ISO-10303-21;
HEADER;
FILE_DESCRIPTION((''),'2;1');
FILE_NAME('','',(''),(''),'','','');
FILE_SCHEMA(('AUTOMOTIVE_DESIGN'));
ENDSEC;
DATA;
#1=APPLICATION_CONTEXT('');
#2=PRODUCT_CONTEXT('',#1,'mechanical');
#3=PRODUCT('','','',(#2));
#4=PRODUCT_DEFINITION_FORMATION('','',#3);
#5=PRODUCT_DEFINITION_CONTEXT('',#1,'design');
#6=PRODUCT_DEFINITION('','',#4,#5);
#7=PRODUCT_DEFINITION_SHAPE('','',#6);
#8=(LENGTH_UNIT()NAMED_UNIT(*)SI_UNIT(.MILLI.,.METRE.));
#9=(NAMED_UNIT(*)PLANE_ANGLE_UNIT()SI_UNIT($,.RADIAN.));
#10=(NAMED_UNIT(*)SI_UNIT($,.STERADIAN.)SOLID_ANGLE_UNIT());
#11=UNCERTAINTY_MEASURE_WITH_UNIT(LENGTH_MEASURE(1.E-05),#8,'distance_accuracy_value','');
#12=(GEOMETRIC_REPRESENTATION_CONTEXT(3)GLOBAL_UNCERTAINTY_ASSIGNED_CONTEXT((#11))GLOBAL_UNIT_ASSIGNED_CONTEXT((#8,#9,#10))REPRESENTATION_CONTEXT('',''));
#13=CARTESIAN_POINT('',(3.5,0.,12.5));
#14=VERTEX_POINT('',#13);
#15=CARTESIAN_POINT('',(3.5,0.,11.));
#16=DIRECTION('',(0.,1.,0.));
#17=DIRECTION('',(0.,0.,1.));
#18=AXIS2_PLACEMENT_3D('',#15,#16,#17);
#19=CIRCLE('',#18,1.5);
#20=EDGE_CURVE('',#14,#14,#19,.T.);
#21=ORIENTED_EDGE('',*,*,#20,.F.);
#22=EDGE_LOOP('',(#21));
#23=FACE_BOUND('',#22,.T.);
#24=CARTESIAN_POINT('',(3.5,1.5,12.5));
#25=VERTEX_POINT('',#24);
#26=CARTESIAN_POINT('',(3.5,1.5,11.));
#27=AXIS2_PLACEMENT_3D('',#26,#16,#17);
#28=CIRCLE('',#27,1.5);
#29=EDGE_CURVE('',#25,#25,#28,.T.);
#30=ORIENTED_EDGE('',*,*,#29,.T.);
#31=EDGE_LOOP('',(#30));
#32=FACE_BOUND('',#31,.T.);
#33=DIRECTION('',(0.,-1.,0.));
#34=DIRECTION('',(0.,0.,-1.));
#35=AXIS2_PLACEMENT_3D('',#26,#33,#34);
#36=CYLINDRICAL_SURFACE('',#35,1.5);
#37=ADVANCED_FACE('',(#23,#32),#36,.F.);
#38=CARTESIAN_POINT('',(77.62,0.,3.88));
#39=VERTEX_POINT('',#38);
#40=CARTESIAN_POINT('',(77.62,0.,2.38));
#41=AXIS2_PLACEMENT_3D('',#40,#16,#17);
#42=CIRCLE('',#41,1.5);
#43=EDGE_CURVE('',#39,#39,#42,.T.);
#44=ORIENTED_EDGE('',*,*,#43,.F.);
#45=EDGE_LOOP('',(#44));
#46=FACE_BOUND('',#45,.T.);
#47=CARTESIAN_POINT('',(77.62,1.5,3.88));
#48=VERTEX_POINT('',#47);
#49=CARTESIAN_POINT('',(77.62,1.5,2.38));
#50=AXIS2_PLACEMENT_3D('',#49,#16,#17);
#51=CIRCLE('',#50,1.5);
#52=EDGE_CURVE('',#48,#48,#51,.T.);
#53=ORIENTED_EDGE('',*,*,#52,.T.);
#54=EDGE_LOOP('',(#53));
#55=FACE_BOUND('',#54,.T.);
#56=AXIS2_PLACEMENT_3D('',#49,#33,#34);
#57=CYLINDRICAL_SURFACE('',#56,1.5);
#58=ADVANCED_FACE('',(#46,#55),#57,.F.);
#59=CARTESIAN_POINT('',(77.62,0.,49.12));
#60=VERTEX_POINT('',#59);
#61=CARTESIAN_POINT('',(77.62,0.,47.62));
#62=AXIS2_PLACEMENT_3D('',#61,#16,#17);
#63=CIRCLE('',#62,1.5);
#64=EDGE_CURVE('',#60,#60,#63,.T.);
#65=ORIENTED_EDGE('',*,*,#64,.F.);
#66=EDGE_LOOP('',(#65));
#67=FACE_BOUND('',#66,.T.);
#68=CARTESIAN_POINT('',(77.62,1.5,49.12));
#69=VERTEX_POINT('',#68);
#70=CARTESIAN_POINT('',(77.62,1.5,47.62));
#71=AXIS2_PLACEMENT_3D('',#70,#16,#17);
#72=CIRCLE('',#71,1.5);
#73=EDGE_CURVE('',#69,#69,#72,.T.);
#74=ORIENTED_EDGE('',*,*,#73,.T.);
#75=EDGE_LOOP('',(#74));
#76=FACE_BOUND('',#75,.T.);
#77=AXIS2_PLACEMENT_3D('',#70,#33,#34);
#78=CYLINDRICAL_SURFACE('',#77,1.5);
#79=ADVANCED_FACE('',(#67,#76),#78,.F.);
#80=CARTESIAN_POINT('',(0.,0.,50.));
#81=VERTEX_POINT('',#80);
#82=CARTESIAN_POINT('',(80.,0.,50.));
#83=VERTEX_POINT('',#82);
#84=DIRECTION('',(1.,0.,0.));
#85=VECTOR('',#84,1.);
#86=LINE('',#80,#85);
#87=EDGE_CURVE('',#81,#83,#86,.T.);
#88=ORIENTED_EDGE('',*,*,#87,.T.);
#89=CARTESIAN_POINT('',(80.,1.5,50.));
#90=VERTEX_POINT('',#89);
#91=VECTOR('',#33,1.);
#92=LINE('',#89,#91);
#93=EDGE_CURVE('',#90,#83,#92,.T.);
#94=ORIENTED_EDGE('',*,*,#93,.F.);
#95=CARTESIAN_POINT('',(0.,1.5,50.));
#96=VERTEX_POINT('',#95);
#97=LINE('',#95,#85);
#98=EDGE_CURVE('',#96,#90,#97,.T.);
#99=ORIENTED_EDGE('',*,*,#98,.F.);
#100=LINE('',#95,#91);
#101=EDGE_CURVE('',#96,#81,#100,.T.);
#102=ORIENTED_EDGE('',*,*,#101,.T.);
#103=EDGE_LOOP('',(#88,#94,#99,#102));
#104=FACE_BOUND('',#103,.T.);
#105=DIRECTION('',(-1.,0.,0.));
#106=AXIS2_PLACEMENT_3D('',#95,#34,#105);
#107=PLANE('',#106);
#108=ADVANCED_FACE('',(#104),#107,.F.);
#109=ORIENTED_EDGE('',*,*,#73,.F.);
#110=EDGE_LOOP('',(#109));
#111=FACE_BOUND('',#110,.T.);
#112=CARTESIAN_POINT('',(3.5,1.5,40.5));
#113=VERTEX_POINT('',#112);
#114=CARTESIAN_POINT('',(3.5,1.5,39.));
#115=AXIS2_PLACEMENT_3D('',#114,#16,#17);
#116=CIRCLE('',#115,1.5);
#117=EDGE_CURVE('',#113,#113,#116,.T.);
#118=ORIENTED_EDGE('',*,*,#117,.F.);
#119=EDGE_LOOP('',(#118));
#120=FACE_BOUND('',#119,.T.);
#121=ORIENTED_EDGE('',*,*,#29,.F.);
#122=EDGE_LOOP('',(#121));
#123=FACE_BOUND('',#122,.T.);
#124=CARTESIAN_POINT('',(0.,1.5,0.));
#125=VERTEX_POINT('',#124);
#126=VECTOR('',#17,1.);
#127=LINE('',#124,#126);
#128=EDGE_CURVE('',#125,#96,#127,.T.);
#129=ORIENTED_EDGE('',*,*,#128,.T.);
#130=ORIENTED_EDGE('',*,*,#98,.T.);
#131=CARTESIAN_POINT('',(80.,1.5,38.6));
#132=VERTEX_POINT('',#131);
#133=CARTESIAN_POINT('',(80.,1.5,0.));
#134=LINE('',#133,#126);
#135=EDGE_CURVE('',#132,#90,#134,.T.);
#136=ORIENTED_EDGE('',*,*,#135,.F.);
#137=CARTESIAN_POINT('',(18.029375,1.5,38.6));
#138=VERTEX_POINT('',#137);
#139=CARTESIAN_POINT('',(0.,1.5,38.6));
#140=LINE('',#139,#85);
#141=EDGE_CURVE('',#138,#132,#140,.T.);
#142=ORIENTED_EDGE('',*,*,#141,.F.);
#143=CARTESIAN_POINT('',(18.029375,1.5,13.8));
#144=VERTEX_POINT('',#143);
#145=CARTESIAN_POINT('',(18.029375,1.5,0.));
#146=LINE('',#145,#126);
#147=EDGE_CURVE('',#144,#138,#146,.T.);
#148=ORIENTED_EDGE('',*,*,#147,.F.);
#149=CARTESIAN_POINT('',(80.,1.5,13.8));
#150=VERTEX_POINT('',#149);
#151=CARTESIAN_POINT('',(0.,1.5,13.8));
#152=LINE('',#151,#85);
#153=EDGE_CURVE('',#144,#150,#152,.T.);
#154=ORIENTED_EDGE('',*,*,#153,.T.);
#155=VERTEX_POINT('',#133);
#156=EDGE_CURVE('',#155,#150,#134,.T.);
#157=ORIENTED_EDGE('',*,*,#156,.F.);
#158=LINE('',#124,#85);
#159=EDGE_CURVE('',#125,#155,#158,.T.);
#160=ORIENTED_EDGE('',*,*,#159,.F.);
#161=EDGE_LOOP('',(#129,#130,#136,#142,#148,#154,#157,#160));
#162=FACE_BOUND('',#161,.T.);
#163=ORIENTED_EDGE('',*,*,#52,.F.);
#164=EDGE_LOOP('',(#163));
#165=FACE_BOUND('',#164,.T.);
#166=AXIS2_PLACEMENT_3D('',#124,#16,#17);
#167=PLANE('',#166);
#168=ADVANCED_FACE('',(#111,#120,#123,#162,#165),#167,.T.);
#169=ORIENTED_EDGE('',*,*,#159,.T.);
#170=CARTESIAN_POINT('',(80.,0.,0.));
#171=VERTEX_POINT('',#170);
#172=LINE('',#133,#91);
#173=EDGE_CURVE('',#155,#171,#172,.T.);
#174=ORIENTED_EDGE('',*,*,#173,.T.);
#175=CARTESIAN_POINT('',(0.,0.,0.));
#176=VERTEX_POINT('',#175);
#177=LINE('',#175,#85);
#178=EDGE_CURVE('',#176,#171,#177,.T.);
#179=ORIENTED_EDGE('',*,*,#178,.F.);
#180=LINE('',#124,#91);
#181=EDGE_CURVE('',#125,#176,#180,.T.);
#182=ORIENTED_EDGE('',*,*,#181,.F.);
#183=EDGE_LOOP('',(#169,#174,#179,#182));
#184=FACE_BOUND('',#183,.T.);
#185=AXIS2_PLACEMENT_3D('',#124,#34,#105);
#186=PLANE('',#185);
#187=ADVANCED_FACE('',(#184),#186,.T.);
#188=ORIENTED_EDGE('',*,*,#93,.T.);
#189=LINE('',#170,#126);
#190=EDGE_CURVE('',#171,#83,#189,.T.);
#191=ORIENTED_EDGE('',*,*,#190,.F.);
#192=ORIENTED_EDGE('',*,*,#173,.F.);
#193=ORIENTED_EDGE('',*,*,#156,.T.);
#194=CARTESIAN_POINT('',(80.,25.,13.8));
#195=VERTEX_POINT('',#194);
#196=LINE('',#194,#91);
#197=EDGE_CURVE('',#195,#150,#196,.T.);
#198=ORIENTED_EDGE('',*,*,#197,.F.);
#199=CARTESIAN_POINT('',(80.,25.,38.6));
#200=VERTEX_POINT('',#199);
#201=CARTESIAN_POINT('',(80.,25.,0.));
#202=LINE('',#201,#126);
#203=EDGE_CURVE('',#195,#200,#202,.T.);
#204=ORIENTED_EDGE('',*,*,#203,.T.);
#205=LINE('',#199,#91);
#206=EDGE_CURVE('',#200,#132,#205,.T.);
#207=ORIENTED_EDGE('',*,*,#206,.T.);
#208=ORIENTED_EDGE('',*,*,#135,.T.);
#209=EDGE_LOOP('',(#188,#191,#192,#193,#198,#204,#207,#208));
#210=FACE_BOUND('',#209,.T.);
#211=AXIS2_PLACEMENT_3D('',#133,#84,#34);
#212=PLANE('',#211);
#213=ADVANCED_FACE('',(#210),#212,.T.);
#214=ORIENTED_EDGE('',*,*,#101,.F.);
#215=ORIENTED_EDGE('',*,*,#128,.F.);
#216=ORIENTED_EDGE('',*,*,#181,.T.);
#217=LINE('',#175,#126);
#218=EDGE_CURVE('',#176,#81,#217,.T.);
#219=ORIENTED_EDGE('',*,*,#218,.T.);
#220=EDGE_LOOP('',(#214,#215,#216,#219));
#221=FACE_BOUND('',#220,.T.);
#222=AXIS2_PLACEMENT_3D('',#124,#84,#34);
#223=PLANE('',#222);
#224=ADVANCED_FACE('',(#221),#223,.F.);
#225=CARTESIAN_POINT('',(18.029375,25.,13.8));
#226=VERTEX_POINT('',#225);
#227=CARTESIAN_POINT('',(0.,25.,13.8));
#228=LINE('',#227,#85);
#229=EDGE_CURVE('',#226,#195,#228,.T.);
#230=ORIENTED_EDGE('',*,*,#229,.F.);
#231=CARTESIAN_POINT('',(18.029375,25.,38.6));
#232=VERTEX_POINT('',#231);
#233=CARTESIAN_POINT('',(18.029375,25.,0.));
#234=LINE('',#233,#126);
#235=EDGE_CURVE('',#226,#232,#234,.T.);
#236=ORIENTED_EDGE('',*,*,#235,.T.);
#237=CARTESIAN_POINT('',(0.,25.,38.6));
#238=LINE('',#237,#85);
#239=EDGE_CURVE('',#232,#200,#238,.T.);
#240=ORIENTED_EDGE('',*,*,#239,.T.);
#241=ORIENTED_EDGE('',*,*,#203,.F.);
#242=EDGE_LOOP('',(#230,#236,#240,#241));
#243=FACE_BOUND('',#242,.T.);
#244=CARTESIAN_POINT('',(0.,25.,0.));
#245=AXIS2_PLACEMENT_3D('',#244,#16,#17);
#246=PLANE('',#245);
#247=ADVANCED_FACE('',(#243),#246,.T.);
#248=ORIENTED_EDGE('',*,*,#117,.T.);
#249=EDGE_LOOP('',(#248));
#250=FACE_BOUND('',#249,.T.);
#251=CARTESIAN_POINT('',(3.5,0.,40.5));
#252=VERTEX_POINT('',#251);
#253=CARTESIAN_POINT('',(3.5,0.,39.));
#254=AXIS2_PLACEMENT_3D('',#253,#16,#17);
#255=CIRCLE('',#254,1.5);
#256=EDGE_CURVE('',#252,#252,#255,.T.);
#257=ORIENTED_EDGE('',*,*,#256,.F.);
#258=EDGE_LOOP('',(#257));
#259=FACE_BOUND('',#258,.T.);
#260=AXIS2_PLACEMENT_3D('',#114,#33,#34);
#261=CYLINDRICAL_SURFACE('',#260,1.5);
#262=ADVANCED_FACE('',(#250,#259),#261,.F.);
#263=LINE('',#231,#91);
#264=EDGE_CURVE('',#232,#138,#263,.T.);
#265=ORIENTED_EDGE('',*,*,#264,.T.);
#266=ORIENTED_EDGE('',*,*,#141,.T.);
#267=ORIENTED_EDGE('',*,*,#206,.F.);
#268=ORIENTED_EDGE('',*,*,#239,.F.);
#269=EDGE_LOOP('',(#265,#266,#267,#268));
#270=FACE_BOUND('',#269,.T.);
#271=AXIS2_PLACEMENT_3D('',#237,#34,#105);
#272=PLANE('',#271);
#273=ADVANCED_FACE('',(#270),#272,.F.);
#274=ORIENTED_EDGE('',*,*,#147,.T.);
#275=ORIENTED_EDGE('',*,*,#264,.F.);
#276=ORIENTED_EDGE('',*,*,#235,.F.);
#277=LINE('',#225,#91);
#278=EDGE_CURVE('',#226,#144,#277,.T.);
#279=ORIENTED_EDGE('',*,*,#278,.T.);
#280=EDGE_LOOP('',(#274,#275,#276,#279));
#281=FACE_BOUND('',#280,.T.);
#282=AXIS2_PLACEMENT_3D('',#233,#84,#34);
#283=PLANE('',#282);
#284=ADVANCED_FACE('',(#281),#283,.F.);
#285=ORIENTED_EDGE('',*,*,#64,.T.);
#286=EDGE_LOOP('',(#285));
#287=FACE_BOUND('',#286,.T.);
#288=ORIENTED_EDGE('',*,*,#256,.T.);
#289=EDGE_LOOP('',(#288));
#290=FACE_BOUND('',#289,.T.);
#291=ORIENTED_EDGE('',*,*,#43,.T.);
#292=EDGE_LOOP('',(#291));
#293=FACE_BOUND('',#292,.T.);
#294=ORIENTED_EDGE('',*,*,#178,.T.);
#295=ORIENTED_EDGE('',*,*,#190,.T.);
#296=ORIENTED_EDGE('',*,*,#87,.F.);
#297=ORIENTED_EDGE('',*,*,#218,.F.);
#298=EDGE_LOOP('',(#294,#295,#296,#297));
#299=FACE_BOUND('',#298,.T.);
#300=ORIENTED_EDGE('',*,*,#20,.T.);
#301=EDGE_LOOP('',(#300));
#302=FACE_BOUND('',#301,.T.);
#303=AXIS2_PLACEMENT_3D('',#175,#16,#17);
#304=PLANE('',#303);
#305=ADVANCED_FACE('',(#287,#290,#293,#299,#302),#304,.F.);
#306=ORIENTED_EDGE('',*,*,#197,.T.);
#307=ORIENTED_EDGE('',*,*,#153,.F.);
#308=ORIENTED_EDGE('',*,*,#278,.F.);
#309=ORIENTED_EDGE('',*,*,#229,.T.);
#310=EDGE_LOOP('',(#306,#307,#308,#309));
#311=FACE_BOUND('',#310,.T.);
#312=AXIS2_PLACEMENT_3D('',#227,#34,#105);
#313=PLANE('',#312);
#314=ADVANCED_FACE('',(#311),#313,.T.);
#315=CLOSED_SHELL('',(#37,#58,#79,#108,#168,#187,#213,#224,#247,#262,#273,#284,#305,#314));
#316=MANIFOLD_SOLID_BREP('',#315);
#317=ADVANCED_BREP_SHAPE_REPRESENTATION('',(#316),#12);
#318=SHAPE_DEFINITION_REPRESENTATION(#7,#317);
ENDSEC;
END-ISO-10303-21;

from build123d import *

# Parameters (mm, degrees)
SKETCH2_R           = 1.5
BOSS_EXTRUDE1_DEPTH = 1.5
SKETCH2_3_W         = 61.970625282
SKETCH2_3_H         = 24.8
BOSS_EXTRUDE2_DEPTH = 25


with BuildPart() as part:
    # Sketch2 → Boss-Extrude1 (new body)
    with BuildSketch(Plane(origin=(0, 0, 0), x_dir=(1, 0, 0), z_dir=(0, 1, 0))):
        Polygon((80, 0), (0, 0), (0, -50), (80, -50), (80, -38.6), (18.029374718, -38.6), (18.029374718, -13.8), (80, -13.8), align=None)
        with Locations((3.5, -39)):
            Circle(SKETCH2_R, mode=Mode.SUBTRACT)
        with Locations((77.62, -47.62)):
            Circle(SKETCH2_R, mode=Mode.SUBTRACT)
        with Locations((3.5, -11)):
            Circle(SKETCH2_R, mode=Mode.SUBTRACT)
        with Locations((77.62, -2.38)):
            Circle(SKETCH2_R, mode=Mode.SUBTRACT)
    extrude(amount=BOSS_EXTRUDE1_DEPTH)

    # Sketch2<3> → Boss-Extrude2 (add)
    with BuildSketch(Plane(origin=(0, 0, 0), x_dir=(1, 0, 0), z_dir=(0, 1, 0))):
        with Locations((49.014687359, -26.2)):
            Rectangle(SKETCH2_3_W, SKETCH2_3_H)
    extrude(amount=BOSS_EXTRUDE2_DEPTH)


solid = part.part
